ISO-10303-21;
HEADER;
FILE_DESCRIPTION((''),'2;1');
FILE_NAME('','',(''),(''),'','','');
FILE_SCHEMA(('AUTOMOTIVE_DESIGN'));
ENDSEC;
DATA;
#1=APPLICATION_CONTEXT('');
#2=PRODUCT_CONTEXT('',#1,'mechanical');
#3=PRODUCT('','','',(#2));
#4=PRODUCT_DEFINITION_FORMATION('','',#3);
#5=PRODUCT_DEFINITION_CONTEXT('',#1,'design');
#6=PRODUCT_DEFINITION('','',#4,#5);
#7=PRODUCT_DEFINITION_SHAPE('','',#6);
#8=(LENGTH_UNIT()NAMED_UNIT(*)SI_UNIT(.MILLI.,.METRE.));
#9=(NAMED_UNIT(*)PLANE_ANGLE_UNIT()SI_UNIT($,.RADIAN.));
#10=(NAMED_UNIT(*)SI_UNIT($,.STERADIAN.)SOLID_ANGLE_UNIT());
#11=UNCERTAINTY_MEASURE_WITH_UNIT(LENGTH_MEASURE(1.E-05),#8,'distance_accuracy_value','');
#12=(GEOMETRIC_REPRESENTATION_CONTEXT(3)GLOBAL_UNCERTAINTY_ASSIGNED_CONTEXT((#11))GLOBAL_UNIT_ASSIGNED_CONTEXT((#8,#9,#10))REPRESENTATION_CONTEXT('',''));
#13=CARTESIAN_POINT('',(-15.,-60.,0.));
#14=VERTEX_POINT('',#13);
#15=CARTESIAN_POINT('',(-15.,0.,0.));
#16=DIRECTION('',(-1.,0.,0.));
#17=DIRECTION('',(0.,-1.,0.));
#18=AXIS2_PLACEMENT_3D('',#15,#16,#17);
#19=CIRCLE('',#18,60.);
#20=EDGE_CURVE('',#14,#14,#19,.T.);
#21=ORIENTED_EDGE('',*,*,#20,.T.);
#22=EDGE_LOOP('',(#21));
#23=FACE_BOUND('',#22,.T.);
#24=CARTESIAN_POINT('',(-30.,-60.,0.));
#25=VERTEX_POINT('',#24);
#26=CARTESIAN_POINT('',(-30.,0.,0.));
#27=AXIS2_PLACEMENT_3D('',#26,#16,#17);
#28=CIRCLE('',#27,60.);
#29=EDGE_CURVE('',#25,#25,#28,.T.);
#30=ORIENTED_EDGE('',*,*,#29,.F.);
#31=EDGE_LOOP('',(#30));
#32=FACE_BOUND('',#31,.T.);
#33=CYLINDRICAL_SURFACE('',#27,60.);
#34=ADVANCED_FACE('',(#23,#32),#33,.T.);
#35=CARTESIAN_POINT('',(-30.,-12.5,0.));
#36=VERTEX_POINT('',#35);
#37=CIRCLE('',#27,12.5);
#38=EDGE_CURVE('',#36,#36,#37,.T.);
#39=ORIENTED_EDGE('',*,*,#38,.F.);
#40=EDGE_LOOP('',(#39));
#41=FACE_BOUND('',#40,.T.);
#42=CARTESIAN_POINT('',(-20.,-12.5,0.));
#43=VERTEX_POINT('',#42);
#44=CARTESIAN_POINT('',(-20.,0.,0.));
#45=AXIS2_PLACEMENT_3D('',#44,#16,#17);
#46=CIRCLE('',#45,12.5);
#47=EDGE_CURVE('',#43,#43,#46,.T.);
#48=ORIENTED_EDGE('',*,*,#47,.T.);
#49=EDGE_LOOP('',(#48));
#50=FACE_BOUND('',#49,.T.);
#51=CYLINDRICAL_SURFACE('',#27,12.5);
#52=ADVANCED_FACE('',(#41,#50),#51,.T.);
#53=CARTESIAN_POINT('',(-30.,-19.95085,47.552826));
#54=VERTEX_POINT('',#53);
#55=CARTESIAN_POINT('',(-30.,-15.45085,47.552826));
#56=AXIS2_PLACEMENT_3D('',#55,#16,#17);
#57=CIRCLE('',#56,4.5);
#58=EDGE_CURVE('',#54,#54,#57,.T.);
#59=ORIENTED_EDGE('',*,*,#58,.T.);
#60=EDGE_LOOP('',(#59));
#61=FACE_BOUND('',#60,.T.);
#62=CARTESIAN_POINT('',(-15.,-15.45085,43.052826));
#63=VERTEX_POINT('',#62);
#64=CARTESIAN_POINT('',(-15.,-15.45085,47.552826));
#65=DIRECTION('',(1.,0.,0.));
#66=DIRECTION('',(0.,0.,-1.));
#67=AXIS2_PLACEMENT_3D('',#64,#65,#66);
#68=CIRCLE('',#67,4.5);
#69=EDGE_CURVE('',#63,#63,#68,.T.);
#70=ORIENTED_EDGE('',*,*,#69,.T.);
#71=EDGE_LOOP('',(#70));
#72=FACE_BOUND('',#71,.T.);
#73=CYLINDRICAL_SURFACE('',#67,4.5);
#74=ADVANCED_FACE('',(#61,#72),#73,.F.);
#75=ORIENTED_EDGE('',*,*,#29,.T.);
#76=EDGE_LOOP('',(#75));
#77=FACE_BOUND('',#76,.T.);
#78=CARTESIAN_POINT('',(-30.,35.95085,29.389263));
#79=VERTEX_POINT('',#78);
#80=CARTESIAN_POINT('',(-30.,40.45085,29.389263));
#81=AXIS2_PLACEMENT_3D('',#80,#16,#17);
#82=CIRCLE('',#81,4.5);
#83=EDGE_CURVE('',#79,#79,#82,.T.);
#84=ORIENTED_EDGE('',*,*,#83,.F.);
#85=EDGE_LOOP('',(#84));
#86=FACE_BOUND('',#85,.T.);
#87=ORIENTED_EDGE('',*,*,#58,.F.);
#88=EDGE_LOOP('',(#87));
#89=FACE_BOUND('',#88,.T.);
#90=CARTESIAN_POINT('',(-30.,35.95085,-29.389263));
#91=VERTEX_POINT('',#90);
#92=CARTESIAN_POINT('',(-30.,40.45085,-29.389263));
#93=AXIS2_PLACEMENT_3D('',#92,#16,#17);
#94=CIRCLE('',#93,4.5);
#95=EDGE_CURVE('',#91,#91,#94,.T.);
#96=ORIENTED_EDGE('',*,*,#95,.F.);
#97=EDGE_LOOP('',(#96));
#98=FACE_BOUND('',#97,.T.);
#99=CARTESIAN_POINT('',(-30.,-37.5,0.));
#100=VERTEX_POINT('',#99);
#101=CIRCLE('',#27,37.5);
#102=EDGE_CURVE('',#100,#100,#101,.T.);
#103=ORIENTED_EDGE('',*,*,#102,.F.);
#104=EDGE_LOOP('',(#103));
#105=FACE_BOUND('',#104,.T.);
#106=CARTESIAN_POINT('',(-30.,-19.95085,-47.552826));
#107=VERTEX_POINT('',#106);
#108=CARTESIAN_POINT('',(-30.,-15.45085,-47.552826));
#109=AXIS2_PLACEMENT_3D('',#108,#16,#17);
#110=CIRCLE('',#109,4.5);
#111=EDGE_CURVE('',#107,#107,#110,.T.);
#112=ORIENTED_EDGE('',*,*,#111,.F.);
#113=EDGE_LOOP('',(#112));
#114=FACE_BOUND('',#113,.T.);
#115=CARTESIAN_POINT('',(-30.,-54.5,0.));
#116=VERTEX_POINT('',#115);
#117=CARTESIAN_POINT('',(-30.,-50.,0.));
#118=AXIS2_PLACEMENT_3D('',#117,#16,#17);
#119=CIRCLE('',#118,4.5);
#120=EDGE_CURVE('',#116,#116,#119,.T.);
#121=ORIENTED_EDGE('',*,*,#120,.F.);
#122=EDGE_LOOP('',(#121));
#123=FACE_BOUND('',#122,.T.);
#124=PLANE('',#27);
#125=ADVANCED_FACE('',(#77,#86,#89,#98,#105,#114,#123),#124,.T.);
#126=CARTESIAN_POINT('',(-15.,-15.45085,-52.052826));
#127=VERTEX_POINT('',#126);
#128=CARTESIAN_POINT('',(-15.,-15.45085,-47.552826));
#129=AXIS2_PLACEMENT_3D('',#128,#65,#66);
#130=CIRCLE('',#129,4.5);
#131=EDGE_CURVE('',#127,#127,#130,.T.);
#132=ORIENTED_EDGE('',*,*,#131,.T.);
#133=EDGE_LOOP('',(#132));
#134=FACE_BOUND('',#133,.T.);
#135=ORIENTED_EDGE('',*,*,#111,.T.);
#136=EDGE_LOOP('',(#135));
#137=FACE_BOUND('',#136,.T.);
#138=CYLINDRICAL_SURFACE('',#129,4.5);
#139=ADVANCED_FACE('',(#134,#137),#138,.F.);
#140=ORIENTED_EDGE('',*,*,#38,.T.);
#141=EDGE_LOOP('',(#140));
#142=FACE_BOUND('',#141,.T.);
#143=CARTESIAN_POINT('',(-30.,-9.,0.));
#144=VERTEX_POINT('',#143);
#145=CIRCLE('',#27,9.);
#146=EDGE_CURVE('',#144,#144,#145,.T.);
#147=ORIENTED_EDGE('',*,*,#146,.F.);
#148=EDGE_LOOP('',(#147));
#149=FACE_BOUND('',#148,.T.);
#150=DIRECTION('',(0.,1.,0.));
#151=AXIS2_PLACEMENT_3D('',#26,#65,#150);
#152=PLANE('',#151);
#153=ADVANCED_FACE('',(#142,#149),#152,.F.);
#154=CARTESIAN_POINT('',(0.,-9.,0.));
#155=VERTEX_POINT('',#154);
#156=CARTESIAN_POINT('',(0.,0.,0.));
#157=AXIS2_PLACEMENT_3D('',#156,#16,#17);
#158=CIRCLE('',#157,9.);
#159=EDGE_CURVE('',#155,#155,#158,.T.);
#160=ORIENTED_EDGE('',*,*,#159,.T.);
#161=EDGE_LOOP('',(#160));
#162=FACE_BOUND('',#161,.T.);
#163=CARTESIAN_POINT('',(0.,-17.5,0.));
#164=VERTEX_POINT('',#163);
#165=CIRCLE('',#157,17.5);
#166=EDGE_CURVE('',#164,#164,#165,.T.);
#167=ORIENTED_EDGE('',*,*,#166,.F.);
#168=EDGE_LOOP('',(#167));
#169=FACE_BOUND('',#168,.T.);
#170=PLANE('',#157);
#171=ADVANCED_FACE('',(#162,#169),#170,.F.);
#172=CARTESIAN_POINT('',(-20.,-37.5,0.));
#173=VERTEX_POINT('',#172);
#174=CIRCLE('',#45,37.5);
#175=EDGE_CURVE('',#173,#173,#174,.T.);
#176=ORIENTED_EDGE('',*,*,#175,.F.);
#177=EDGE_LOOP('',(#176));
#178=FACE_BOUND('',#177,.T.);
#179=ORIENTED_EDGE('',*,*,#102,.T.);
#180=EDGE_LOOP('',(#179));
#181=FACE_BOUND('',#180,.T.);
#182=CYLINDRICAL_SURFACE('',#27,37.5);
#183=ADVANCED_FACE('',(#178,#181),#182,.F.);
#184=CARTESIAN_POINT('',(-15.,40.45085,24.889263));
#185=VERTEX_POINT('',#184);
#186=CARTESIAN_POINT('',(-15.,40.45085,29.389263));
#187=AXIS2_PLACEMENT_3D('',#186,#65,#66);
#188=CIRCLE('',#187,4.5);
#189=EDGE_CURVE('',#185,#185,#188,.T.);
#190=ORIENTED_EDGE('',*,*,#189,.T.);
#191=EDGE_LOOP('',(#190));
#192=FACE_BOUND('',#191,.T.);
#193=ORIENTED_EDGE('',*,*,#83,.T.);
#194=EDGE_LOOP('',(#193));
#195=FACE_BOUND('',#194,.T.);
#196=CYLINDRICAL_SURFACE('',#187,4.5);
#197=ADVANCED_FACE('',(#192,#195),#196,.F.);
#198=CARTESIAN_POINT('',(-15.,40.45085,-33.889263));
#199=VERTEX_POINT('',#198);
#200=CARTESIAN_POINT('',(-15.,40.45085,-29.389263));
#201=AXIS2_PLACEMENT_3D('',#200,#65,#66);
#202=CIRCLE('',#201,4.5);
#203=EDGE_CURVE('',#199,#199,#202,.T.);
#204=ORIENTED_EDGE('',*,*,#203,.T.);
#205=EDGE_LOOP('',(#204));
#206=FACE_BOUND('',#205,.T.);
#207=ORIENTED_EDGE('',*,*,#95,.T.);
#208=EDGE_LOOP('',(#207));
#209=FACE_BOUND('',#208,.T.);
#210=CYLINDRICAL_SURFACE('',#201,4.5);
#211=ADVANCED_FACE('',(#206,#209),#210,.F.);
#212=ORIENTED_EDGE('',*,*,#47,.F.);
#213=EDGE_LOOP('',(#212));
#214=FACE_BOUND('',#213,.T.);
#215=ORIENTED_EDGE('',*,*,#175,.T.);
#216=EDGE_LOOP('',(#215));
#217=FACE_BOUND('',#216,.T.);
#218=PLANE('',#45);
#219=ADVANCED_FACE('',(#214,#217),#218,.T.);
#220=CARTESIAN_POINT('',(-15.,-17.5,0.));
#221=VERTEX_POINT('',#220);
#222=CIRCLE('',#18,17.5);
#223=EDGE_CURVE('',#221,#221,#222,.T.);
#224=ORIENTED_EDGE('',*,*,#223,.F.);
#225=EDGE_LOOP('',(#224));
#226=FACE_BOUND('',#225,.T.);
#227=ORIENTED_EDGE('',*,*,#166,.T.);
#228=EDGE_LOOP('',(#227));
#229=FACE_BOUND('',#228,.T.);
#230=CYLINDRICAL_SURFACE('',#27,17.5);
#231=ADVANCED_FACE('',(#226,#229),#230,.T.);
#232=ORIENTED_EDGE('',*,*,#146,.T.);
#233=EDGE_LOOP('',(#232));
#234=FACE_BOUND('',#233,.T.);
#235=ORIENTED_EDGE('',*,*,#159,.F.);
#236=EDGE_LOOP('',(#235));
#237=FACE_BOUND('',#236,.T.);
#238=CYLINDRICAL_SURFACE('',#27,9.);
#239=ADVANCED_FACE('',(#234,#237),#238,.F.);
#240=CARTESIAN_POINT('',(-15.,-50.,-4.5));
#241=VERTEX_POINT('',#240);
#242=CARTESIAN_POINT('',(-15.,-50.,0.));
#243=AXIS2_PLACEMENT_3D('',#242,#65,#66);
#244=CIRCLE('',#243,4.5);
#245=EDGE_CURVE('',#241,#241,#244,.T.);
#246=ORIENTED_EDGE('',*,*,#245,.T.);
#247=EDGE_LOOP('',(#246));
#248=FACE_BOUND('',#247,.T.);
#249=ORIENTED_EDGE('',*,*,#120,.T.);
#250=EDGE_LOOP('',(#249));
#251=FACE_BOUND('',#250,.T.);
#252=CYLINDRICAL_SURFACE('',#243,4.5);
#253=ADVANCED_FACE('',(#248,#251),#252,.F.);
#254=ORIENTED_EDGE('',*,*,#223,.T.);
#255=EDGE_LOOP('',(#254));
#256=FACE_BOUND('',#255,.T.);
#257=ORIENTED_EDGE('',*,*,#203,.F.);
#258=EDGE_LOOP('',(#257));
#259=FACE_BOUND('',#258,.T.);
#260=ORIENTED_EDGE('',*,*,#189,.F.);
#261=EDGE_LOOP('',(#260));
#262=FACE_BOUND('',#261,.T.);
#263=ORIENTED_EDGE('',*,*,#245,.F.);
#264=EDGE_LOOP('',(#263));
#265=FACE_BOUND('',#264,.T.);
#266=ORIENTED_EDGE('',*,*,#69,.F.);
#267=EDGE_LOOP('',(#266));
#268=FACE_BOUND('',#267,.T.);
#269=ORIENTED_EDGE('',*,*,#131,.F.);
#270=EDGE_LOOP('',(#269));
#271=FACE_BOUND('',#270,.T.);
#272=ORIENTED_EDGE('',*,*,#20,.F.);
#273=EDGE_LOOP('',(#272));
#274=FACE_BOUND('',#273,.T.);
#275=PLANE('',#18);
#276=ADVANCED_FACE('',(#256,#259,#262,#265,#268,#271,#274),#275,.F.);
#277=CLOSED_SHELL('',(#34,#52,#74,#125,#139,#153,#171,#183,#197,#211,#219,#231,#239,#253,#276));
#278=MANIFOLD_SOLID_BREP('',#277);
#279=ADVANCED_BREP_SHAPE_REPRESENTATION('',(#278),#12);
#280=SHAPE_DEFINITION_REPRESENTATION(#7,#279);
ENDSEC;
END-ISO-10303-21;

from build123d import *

# Parameters (mm, degrees)
M8_CLEARANCE_HOLE1_D     = 9
M8_CLEARANCE_HOLE1_DEPTH = 15
CIRPATTERN1_COUNT        = 5


with BuildPart() as part:
    # Sketch2 → Revolve1 (revolve)
    with BuildSketch(Plane.XY):
        Polygon((-30, 9), (0, 9), (0, 17.5), (-15, 17.5), (-15, 60), (-30, 60), (-30, 37.5), (-20, 37.5), (-20, 12.5), (-30, 12.5), align=None)
    revolve(axis=Axis((-30, 0, 0), (1, 0, 0)))

    # M8 Clearance Hole1
    with Locations(Plane(origin=(-15, -50, 0), x_dir=(0, 0, 1), z_dir=(1, 0, 0))):
        with Locations((0, 0)):
            m8_clearance_hole1 = Hole(M8_CLEARANCE_HOLE1_D / 2, depth=M8_CLEARANCE_HOLE1_DEPTH)

    # CirPattern1: M8 Clearance Hole1 ×5 about axis
    cirpattern1_axis = Axis((0, 0, 0), (1, 0, 0))
    for i in range(1, CIRPATTERN1_COUNT):
        add(m8_clearance_hole1.rotate(cirpattern1_axis, i * 360 / CIRPATTERN1_COUNT), mode=Mode.SUBTRACT)


solid = part.part
